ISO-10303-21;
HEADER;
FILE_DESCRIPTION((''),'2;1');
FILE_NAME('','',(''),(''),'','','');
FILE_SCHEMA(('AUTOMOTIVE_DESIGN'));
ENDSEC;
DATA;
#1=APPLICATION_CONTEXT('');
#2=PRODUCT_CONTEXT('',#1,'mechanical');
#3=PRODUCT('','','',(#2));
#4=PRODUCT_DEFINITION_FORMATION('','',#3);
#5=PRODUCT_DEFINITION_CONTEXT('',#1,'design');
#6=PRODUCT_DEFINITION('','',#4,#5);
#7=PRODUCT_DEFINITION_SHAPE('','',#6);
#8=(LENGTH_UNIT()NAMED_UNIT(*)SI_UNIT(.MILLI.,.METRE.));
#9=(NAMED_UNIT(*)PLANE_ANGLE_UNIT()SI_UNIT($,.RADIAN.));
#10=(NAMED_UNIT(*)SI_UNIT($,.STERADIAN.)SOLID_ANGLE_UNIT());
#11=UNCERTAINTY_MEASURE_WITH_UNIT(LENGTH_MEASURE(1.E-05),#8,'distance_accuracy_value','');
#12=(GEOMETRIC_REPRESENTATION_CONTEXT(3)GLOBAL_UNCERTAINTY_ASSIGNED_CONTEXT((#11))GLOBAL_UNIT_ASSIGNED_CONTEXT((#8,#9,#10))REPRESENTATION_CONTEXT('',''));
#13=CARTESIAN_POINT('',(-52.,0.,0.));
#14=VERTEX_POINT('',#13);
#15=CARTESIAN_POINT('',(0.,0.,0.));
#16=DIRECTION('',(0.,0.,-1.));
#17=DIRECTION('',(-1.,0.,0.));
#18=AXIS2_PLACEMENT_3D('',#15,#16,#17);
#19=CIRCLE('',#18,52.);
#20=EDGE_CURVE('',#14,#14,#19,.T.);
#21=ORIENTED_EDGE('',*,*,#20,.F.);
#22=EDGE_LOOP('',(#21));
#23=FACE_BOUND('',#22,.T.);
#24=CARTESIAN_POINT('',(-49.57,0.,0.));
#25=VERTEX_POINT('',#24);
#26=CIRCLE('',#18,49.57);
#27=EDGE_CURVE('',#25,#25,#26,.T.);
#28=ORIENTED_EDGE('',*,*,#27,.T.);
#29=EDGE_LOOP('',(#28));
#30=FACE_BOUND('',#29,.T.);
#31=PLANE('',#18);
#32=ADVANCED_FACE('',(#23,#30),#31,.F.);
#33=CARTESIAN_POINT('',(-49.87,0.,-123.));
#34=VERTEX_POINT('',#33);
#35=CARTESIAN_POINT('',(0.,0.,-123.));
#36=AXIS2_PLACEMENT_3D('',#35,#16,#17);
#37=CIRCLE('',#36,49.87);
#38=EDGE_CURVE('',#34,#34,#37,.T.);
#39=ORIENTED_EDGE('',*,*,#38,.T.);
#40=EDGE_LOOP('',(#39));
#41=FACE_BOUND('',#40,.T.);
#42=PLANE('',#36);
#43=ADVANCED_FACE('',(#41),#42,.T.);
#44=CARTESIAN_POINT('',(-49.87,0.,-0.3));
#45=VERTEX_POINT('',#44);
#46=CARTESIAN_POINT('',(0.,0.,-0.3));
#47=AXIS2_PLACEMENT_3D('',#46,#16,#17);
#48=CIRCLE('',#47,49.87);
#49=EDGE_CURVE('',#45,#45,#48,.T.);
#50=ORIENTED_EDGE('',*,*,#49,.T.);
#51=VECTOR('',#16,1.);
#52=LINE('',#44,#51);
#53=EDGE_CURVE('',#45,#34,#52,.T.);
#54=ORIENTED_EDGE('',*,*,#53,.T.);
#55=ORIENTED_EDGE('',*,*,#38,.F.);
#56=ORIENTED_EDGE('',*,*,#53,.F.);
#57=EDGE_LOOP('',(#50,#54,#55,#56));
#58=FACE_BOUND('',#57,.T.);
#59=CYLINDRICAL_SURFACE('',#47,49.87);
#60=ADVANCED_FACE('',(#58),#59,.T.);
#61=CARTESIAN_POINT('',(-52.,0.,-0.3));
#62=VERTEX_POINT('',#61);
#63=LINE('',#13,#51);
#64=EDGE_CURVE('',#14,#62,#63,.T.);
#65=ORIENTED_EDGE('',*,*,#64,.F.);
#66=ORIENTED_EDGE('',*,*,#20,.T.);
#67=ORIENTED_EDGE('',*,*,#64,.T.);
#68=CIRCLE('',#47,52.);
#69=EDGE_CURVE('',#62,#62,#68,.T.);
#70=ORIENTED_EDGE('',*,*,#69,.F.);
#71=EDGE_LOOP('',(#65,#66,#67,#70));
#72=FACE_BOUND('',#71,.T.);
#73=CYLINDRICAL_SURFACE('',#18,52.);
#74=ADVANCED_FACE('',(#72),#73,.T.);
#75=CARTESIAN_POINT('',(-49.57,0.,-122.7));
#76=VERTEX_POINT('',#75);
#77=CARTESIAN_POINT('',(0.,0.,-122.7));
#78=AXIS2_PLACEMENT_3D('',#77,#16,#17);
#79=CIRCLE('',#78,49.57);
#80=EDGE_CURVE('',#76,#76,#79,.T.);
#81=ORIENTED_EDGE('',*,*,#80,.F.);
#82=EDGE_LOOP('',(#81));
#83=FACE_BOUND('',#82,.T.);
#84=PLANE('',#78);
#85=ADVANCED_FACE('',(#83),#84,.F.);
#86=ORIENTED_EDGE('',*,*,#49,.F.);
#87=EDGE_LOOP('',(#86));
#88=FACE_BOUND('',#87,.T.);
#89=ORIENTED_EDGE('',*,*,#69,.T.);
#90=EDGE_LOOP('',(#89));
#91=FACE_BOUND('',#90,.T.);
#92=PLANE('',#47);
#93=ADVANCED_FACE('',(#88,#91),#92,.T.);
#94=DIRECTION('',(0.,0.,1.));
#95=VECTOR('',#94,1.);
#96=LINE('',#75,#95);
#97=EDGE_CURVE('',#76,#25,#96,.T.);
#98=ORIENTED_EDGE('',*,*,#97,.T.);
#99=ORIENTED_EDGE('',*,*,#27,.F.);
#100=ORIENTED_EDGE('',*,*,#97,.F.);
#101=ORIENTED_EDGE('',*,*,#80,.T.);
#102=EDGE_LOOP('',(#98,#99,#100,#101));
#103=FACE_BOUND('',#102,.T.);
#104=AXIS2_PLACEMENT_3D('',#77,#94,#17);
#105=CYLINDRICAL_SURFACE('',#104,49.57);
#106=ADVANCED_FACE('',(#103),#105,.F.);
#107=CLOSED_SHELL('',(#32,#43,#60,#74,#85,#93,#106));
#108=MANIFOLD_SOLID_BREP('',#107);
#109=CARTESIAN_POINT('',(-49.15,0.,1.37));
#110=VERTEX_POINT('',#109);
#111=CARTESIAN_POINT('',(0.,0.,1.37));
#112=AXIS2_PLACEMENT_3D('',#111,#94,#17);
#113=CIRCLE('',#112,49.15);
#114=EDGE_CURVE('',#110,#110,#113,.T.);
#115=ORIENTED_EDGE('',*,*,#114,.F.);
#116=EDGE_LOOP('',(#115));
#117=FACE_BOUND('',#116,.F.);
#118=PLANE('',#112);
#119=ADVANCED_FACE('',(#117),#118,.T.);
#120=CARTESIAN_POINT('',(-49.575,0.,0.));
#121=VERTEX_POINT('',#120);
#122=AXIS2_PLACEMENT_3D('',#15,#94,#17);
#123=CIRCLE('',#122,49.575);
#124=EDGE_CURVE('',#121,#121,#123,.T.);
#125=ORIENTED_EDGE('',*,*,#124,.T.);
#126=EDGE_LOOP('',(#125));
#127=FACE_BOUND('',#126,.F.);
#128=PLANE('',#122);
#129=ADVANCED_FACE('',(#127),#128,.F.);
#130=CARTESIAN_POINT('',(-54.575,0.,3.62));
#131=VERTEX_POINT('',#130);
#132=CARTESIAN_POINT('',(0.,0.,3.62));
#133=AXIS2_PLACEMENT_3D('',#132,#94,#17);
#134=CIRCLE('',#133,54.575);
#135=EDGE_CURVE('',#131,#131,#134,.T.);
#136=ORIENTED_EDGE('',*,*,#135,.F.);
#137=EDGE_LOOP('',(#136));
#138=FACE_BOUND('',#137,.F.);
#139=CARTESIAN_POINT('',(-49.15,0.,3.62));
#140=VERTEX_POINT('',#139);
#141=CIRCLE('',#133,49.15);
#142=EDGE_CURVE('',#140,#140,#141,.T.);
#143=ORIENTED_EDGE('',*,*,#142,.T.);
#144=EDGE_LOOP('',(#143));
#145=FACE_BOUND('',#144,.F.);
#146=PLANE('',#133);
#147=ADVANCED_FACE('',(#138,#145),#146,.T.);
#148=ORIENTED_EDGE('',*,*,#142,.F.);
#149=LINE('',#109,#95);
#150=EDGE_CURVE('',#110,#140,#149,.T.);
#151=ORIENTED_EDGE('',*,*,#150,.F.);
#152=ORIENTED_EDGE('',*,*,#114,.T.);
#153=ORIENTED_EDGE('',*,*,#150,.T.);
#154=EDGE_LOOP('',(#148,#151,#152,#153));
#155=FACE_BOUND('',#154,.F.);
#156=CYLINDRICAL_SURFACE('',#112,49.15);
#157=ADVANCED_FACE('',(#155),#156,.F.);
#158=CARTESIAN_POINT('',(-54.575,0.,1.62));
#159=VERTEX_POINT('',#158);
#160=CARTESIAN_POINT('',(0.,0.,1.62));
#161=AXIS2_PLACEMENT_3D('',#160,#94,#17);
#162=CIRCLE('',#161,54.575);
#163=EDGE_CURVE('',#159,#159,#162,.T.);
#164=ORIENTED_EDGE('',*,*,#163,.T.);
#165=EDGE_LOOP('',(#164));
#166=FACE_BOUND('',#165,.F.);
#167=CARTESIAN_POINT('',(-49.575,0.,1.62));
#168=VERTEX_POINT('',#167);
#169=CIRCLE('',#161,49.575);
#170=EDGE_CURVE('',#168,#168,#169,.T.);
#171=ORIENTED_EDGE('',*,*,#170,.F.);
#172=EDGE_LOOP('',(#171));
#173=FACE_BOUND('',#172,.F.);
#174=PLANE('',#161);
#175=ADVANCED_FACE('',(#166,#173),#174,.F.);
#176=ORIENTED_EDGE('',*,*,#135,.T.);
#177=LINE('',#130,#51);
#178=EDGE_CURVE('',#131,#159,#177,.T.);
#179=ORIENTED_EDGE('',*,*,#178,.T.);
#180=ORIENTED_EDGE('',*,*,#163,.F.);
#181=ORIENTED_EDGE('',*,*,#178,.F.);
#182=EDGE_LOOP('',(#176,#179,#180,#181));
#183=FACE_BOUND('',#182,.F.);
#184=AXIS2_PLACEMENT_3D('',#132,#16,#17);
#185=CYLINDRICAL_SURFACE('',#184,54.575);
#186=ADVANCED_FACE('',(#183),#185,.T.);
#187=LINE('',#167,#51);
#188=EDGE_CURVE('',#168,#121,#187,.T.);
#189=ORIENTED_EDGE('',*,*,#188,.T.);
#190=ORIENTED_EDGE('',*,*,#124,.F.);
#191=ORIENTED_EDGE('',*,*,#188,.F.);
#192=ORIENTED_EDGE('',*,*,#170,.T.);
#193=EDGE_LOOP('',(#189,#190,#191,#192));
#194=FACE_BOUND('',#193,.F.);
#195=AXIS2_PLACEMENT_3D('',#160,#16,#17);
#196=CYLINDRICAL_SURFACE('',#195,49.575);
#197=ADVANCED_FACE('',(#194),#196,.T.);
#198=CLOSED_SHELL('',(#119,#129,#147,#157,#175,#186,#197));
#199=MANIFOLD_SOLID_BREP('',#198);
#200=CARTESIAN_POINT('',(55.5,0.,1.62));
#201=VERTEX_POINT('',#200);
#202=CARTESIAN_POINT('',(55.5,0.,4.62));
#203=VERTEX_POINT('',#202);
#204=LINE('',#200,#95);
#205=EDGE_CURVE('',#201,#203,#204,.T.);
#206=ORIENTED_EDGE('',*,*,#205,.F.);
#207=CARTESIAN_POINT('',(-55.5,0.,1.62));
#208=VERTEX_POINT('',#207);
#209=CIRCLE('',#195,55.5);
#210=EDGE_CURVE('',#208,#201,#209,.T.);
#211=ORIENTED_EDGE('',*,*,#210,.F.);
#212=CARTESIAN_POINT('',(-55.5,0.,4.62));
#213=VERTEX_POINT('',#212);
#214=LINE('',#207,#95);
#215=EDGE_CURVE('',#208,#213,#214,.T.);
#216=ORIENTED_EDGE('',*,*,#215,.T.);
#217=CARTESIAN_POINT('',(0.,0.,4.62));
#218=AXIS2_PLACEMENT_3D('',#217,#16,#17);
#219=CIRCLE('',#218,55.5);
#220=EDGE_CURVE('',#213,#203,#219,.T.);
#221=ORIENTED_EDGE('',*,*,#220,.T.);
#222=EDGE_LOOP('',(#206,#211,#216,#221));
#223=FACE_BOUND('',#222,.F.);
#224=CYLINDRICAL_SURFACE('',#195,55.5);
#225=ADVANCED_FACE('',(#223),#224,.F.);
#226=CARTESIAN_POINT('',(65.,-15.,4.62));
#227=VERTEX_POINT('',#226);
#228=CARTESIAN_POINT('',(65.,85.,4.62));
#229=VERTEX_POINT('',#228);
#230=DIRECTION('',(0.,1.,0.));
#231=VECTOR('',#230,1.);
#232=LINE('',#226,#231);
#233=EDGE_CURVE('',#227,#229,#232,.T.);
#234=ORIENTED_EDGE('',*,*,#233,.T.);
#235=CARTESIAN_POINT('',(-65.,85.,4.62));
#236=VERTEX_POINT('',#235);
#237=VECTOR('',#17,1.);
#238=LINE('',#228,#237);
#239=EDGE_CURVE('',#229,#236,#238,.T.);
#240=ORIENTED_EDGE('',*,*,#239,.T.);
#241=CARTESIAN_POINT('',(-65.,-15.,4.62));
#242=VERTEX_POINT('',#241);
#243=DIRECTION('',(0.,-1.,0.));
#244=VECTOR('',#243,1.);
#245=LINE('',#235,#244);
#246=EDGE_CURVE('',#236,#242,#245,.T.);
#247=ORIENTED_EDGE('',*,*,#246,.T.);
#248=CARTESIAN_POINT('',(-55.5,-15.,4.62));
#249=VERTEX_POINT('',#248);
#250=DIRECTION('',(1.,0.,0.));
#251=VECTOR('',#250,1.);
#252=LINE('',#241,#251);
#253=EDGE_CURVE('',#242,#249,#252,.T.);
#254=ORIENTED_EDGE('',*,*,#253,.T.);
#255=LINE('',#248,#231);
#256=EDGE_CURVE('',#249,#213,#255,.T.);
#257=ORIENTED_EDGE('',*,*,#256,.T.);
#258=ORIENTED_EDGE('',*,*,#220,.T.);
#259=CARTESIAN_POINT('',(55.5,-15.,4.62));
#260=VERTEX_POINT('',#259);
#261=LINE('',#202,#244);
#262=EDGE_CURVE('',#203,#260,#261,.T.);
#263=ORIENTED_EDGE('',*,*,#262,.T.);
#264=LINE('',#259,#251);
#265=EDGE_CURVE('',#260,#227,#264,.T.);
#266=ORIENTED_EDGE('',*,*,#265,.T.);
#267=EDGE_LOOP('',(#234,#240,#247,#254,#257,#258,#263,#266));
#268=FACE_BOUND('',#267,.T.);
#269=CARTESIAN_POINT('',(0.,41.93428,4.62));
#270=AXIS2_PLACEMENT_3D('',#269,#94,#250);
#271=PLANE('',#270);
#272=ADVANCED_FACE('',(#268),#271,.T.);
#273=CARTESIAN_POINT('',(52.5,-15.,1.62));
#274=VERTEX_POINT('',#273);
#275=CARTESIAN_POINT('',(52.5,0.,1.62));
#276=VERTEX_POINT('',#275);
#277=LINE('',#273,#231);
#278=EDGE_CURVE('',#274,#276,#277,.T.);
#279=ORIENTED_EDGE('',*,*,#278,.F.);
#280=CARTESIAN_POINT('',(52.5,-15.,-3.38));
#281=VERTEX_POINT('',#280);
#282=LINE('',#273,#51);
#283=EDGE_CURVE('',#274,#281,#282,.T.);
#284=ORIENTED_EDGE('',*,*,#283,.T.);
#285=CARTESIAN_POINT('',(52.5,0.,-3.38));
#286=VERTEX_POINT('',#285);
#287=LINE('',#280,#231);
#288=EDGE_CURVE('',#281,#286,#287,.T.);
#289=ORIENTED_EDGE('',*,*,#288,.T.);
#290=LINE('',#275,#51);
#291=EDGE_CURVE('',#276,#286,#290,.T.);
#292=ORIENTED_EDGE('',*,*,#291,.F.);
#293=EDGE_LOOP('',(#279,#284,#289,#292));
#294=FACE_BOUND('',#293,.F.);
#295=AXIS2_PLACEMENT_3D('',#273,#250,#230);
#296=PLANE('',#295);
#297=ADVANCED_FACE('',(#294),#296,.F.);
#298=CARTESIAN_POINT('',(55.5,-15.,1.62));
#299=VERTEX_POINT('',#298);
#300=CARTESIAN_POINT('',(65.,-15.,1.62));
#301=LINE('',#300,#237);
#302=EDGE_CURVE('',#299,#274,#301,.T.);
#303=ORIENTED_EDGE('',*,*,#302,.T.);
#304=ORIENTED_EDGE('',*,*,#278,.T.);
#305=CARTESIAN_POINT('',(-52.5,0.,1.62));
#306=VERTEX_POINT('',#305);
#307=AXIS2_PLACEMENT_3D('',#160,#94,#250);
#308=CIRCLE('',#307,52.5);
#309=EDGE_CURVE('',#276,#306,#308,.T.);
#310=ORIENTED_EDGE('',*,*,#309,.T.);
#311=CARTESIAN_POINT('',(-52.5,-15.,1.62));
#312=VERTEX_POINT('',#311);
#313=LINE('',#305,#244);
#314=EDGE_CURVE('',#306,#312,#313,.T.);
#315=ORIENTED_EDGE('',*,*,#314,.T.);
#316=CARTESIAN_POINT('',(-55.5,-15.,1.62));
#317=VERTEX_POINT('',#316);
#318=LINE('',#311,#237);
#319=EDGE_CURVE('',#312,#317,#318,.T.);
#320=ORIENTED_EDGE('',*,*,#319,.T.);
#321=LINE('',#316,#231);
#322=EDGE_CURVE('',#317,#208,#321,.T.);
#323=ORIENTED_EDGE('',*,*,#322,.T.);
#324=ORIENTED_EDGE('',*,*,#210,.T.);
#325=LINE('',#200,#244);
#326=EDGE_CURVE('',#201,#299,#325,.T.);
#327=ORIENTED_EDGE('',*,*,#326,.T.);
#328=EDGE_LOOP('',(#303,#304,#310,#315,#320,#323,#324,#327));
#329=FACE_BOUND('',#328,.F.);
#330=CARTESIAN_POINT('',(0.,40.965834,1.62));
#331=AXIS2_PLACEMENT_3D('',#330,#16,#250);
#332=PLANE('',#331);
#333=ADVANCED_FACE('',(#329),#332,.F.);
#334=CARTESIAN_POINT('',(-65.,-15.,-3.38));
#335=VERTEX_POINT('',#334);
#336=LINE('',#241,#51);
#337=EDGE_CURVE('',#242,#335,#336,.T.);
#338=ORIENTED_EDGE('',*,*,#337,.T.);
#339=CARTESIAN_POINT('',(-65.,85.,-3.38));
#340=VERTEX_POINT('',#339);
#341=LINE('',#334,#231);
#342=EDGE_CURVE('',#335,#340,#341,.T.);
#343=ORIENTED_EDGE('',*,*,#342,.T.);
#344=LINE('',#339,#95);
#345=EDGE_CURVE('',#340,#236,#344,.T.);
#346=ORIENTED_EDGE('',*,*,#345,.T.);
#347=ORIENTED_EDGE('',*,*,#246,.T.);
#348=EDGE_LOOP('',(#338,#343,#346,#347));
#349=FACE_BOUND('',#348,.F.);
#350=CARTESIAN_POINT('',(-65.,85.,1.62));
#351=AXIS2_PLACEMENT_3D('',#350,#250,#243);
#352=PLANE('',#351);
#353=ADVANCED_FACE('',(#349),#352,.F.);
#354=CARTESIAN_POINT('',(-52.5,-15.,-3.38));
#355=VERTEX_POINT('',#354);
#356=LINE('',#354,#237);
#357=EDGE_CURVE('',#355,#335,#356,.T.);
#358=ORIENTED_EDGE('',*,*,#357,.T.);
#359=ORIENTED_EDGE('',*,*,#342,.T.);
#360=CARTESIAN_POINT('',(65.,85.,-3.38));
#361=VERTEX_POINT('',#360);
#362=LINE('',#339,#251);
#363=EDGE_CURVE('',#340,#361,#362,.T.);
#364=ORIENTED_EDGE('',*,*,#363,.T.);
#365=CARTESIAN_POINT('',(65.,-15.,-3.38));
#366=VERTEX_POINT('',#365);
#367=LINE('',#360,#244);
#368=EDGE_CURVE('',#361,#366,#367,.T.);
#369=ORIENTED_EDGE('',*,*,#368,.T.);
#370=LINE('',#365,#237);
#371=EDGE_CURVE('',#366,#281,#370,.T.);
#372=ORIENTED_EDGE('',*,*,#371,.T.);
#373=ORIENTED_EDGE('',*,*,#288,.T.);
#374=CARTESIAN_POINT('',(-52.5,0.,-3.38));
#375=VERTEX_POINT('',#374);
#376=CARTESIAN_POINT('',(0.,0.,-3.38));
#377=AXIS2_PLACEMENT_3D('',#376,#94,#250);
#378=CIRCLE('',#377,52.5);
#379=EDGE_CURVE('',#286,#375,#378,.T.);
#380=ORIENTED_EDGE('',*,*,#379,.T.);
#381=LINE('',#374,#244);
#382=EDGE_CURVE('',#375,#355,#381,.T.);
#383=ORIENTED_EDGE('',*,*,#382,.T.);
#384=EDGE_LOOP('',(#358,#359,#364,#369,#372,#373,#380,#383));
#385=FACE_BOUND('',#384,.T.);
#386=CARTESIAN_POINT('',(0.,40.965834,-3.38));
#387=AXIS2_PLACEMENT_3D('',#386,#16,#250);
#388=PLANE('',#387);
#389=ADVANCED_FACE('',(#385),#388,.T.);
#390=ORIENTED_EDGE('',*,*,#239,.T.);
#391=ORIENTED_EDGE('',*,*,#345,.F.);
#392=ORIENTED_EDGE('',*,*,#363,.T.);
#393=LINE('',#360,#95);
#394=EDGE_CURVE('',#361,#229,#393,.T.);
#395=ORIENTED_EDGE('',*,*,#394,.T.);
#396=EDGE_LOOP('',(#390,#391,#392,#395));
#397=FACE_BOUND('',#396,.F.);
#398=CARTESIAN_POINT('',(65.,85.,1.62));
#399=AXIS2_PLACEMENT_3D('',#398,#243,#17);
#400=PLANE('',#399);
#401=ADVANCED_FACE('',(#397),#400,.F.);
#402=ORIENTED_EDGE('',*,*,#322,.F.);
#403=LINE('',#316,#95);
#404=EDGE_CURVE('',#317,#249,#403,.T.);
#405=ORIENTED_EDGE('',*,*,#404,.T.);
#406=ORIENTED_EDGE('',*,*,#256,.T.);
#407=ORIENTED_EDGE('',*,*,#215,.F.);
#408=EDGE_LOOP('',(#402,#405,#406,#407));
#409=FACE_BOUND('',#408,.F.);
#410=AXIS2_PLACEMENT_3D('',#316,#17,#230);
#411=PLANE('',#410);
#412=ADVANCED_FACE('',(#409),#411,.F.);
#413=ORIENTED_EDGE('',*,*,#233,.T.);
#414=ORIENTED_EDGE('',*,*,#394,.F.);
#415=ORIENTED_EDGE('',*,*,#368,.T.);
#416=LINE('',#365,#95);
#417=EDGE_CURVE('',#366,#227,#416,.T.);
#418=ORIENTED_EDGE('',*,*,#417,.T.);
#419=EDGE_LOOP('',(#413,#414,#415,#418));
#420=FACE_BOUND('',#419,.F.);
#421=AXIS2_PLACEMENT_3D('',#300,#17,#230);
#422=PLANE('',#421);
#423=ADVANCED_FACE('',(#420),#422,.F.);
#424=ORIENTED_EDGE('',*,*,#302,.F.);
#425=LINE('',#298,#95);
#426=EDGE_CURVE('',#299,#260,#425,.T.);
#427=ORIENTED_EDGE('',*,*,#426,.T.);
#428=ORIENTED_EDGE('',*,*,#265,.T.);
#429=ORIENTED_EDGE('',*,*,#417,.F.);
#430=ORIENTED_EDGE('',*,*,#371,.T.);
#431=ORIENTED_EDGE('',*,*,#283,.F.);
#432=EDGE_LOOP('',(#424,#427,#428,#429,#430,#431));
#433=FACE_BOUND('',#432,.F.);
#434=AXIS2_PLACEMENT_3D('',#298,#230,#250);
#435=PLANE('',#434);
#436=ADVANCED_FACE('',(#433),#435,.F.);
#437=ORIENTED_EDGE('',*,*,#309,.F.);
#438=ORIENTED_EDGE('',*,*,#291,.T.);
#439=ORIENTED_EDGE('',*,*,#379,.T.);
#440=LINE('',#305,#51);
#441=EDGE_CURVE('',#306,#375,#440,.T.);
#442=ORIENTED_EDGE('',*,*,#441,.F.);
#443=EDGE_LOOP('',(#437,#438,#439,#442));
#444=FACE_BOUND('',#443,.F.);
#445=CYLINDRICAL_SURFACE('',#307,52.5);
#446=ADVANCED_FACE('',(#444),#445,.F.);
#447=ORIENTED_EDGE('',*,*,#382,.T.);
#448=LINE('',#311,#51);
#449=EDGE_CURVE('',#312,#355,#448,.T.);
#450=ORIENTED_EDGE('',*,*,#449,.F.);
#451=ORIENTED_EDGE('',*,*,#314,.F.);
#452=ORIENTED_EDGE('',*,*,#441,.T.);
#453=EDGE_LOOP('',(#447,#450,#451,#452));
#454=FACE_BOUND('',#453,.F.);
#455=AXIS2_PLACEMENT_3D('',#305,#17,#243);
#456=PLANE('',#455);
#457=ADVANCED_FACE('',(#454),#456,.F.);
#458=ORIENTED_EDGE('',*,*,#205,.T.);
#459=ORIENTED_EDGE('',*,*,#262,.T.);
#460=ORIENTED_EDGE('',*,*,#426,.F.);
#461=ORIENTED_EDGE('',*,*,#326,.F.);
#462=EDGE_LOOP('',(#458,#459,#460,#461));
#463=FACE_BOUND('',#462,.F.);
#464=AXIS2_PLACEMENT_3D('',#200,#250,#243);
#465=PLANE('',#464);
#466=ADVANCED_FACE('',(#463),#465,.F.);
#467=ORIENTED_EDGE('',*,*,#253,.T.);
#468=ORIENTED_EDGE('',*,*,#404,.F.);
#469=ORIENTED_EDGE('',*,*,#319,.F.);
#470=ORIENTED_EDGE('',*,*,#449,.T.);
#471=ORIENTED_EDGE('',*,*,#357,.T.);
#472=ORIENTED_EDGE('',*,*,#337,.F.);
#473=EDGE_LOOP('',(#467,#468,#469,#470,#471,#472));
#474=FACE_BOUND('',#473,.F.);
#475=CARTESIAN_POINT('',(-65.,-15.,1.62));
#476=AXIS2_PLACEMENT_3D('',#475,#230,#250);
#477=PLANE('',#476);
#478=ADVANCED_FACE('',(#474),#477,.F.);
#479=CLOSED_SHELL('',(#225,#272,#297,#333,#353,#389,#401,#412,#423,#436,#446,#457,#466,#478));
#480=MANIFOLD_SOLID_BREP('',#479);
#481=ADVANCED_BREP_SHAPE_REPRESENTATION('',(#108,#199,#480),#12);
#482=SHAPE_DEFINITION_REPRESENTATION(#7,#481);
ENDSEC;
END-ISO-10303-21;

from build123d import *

# Parameters (mm, degrees)
F5_DEPTH = 5
F7_DEPTH = 3


with BuildPart() as f1:
    # F0 (on Front) → F1 (revolve)
    with BuildSketch(Plane.XZ):
        Polygon((-49.575, 0), (0, 0), (0, 1.37), (-49.15, 1.37), (-49.15, 3.62), (-54.575, 3.62), (-54.575, 1.62), (-49.575, 1.62), align=None)
    revolve(axis=Axis((0, 0, 25.178327), (0, 0, 1)))


with BuildPart() as f3:
    # F2 (on Front) → F3 (revolve)
    with BuildSketch(Plane.XZ):
        Polygon((-49.87, -123), (0, -123), (0, -122.7), (-49.57, -122.7), (-49.57, 0), (-52, 0), (-52, -0.3), (-49.87, -0.3), align=None)
    revolve(axis=Axis((0, 0, -61.5), (0, 0, -1)))


with BuildPart() as f5:
    # F4 (on face) → F5 (new body)
    with BuildSketch(Plane(origin=(0, 0, 1.62), x_dir=(1, 0, 0), z_dir=(0, 0, -1))):
        with BuildLine():
            ThreePointArc((52.5, 0), (0, -52.5), (-52.5, 0))
            Line((-52.5, 0), (-52.5, 15))
            Line((-52.5, 15), (-65, 15))
            Line((-65, 15), (-65, -85))
            Line((-65, -85), (65, -85))
            Line((65, -85), (65, 15))
            Line((65, 15), (52.5, 15))
            Line((52.5, 15), (52.5, 0))
        make_face()
    extrude(amount=F5_DEPTH)

    # F6 (on face) → F7 (join)
    with BuildSketch(Plane.XY.offset(1.62)):
        with BuildLine():
            ThreePointArc((-55.5, 0), (0, 55.5), (55.5, 0))
            Line((55.5, 0), (55.5, -15))
            Line((55.5, -15), (65, -15))
            Line((65, -15), (65, 85))
            Line((65, 85), (-65, 85))
            Line((-65, 85), (-65, -15))
            Line((-65, -15), (-55.5, -15))
            Line((-55.5, -15), (-55.5, 0))
        make_face()
    extrude(amount=F7_DEPTH)


solid = Compound([f1.part, f3.part, f5.part])
